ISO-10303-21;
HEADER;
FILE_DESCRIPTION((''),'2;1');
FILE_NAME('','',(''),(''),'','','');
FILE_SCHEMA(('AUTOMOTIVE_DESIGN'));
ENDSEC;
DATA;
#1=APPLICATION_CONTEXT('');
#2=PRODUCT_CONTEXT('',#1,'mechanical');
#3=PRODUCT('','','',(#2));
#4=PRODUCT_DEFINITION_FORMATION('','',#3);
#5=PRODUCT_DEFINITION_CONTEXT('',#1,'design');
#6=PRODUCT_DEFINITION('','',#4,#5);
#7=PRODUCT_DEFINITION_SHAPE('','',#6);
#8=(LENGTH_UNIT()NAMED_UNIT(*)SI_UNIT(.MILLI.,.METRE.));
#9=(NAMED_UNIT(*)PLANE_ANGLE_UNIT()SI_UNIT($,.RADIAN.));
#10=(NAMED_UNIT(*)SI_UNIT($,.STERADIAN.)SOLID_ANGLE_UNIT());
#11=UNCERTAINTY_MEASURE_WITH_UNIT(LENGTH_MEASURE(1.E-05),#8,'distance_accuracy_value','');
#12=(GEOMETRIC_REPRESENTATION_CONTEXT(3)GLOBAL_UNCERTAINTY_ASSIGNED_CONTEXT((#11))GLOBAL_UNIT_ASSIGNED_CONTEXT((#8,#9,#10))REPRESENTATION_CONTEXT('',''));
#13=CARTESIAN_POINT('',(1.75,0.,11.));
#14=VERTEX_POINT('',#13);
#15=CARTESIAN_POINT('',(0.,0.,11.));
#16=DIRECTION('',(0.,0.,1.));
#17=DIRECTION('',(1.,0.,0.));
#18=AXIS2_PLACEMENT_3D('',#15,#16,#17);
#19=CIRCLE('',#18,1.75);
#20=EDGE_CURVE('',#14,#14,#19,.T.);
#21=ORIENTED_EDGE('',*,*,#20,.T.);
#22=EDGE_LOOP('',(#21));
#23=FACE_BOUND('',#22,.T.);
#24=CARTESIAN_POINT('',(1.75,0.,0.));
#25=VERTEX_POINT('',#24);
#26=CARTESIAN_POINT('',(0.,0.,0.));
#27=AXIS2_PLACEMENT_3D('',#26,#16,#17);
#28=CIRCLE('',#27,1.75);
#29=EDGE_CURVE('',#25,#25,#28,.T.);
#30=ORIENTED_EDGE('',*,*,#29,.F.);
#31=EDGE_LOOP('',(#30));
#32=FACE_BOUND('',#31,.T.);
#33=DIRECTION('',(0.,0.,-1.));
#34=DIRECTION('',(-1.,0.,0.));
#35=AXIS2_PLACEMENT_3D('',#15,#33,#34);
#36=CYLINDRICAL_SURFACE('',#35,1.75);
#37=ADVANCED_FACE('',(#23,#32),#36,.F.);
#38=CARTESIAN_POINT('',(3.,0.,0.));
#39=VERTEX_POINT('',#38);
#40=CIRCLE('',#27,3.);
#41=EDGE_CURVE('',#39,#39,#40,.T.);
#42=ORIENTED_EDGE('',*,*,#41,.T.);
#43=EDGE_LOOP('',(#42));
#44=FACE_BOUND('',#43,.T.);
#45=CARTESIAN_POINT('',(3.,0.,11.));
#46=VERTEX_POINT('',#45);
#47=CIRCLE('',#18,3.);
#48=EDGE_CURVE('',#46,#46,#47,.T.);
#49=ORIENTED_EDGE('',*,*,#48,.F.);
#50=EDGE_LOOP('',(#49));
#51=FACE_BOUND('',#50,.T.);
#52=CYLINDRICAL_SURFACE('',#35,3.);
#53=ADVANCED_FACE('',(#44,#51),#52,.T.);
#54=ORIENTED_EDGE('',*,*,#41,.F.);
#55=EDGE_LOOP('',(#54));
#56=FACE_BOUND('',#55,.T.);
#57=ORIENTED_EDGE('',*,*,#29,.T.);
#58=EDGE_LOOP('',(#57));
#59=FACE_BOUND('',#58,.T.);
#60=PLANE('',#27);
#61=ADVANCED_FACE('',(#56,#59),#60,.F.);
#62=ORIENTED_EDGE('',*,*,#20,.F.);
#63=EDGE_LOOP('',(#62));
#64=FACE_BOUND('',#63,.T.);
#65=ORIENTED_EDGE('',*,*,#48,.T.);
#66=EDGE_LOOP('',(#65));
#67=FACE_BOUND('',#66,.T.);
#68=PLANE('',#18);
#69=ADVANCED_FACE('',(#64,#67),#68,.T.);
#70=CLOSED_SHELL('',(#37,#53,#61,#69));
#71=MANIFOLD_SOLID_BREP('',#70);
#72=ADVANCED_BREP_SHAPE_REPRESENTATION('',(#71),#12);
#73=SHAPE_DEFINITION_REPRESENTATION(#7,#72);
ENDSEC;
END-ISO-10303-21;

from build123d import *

# Parameters (mm, degrees)
SKETCH1_R           = 3
SKETCH1_R_2         = 1.75
BOSS_EXTRUDE1_DEPTH = 11


with BuildPart() as part:
    # Sketch1 → Boss-Extrude1 (new body)
    with BuildSketch(Plane.XY):
        Circle(SKETCH1_R)
        Circle(SKETCH1_R_2, mode=Mode.SUBTRACT)
    extrude(amount=BOSS_EXTRUDE1_DEPTH)


solid = part.part
